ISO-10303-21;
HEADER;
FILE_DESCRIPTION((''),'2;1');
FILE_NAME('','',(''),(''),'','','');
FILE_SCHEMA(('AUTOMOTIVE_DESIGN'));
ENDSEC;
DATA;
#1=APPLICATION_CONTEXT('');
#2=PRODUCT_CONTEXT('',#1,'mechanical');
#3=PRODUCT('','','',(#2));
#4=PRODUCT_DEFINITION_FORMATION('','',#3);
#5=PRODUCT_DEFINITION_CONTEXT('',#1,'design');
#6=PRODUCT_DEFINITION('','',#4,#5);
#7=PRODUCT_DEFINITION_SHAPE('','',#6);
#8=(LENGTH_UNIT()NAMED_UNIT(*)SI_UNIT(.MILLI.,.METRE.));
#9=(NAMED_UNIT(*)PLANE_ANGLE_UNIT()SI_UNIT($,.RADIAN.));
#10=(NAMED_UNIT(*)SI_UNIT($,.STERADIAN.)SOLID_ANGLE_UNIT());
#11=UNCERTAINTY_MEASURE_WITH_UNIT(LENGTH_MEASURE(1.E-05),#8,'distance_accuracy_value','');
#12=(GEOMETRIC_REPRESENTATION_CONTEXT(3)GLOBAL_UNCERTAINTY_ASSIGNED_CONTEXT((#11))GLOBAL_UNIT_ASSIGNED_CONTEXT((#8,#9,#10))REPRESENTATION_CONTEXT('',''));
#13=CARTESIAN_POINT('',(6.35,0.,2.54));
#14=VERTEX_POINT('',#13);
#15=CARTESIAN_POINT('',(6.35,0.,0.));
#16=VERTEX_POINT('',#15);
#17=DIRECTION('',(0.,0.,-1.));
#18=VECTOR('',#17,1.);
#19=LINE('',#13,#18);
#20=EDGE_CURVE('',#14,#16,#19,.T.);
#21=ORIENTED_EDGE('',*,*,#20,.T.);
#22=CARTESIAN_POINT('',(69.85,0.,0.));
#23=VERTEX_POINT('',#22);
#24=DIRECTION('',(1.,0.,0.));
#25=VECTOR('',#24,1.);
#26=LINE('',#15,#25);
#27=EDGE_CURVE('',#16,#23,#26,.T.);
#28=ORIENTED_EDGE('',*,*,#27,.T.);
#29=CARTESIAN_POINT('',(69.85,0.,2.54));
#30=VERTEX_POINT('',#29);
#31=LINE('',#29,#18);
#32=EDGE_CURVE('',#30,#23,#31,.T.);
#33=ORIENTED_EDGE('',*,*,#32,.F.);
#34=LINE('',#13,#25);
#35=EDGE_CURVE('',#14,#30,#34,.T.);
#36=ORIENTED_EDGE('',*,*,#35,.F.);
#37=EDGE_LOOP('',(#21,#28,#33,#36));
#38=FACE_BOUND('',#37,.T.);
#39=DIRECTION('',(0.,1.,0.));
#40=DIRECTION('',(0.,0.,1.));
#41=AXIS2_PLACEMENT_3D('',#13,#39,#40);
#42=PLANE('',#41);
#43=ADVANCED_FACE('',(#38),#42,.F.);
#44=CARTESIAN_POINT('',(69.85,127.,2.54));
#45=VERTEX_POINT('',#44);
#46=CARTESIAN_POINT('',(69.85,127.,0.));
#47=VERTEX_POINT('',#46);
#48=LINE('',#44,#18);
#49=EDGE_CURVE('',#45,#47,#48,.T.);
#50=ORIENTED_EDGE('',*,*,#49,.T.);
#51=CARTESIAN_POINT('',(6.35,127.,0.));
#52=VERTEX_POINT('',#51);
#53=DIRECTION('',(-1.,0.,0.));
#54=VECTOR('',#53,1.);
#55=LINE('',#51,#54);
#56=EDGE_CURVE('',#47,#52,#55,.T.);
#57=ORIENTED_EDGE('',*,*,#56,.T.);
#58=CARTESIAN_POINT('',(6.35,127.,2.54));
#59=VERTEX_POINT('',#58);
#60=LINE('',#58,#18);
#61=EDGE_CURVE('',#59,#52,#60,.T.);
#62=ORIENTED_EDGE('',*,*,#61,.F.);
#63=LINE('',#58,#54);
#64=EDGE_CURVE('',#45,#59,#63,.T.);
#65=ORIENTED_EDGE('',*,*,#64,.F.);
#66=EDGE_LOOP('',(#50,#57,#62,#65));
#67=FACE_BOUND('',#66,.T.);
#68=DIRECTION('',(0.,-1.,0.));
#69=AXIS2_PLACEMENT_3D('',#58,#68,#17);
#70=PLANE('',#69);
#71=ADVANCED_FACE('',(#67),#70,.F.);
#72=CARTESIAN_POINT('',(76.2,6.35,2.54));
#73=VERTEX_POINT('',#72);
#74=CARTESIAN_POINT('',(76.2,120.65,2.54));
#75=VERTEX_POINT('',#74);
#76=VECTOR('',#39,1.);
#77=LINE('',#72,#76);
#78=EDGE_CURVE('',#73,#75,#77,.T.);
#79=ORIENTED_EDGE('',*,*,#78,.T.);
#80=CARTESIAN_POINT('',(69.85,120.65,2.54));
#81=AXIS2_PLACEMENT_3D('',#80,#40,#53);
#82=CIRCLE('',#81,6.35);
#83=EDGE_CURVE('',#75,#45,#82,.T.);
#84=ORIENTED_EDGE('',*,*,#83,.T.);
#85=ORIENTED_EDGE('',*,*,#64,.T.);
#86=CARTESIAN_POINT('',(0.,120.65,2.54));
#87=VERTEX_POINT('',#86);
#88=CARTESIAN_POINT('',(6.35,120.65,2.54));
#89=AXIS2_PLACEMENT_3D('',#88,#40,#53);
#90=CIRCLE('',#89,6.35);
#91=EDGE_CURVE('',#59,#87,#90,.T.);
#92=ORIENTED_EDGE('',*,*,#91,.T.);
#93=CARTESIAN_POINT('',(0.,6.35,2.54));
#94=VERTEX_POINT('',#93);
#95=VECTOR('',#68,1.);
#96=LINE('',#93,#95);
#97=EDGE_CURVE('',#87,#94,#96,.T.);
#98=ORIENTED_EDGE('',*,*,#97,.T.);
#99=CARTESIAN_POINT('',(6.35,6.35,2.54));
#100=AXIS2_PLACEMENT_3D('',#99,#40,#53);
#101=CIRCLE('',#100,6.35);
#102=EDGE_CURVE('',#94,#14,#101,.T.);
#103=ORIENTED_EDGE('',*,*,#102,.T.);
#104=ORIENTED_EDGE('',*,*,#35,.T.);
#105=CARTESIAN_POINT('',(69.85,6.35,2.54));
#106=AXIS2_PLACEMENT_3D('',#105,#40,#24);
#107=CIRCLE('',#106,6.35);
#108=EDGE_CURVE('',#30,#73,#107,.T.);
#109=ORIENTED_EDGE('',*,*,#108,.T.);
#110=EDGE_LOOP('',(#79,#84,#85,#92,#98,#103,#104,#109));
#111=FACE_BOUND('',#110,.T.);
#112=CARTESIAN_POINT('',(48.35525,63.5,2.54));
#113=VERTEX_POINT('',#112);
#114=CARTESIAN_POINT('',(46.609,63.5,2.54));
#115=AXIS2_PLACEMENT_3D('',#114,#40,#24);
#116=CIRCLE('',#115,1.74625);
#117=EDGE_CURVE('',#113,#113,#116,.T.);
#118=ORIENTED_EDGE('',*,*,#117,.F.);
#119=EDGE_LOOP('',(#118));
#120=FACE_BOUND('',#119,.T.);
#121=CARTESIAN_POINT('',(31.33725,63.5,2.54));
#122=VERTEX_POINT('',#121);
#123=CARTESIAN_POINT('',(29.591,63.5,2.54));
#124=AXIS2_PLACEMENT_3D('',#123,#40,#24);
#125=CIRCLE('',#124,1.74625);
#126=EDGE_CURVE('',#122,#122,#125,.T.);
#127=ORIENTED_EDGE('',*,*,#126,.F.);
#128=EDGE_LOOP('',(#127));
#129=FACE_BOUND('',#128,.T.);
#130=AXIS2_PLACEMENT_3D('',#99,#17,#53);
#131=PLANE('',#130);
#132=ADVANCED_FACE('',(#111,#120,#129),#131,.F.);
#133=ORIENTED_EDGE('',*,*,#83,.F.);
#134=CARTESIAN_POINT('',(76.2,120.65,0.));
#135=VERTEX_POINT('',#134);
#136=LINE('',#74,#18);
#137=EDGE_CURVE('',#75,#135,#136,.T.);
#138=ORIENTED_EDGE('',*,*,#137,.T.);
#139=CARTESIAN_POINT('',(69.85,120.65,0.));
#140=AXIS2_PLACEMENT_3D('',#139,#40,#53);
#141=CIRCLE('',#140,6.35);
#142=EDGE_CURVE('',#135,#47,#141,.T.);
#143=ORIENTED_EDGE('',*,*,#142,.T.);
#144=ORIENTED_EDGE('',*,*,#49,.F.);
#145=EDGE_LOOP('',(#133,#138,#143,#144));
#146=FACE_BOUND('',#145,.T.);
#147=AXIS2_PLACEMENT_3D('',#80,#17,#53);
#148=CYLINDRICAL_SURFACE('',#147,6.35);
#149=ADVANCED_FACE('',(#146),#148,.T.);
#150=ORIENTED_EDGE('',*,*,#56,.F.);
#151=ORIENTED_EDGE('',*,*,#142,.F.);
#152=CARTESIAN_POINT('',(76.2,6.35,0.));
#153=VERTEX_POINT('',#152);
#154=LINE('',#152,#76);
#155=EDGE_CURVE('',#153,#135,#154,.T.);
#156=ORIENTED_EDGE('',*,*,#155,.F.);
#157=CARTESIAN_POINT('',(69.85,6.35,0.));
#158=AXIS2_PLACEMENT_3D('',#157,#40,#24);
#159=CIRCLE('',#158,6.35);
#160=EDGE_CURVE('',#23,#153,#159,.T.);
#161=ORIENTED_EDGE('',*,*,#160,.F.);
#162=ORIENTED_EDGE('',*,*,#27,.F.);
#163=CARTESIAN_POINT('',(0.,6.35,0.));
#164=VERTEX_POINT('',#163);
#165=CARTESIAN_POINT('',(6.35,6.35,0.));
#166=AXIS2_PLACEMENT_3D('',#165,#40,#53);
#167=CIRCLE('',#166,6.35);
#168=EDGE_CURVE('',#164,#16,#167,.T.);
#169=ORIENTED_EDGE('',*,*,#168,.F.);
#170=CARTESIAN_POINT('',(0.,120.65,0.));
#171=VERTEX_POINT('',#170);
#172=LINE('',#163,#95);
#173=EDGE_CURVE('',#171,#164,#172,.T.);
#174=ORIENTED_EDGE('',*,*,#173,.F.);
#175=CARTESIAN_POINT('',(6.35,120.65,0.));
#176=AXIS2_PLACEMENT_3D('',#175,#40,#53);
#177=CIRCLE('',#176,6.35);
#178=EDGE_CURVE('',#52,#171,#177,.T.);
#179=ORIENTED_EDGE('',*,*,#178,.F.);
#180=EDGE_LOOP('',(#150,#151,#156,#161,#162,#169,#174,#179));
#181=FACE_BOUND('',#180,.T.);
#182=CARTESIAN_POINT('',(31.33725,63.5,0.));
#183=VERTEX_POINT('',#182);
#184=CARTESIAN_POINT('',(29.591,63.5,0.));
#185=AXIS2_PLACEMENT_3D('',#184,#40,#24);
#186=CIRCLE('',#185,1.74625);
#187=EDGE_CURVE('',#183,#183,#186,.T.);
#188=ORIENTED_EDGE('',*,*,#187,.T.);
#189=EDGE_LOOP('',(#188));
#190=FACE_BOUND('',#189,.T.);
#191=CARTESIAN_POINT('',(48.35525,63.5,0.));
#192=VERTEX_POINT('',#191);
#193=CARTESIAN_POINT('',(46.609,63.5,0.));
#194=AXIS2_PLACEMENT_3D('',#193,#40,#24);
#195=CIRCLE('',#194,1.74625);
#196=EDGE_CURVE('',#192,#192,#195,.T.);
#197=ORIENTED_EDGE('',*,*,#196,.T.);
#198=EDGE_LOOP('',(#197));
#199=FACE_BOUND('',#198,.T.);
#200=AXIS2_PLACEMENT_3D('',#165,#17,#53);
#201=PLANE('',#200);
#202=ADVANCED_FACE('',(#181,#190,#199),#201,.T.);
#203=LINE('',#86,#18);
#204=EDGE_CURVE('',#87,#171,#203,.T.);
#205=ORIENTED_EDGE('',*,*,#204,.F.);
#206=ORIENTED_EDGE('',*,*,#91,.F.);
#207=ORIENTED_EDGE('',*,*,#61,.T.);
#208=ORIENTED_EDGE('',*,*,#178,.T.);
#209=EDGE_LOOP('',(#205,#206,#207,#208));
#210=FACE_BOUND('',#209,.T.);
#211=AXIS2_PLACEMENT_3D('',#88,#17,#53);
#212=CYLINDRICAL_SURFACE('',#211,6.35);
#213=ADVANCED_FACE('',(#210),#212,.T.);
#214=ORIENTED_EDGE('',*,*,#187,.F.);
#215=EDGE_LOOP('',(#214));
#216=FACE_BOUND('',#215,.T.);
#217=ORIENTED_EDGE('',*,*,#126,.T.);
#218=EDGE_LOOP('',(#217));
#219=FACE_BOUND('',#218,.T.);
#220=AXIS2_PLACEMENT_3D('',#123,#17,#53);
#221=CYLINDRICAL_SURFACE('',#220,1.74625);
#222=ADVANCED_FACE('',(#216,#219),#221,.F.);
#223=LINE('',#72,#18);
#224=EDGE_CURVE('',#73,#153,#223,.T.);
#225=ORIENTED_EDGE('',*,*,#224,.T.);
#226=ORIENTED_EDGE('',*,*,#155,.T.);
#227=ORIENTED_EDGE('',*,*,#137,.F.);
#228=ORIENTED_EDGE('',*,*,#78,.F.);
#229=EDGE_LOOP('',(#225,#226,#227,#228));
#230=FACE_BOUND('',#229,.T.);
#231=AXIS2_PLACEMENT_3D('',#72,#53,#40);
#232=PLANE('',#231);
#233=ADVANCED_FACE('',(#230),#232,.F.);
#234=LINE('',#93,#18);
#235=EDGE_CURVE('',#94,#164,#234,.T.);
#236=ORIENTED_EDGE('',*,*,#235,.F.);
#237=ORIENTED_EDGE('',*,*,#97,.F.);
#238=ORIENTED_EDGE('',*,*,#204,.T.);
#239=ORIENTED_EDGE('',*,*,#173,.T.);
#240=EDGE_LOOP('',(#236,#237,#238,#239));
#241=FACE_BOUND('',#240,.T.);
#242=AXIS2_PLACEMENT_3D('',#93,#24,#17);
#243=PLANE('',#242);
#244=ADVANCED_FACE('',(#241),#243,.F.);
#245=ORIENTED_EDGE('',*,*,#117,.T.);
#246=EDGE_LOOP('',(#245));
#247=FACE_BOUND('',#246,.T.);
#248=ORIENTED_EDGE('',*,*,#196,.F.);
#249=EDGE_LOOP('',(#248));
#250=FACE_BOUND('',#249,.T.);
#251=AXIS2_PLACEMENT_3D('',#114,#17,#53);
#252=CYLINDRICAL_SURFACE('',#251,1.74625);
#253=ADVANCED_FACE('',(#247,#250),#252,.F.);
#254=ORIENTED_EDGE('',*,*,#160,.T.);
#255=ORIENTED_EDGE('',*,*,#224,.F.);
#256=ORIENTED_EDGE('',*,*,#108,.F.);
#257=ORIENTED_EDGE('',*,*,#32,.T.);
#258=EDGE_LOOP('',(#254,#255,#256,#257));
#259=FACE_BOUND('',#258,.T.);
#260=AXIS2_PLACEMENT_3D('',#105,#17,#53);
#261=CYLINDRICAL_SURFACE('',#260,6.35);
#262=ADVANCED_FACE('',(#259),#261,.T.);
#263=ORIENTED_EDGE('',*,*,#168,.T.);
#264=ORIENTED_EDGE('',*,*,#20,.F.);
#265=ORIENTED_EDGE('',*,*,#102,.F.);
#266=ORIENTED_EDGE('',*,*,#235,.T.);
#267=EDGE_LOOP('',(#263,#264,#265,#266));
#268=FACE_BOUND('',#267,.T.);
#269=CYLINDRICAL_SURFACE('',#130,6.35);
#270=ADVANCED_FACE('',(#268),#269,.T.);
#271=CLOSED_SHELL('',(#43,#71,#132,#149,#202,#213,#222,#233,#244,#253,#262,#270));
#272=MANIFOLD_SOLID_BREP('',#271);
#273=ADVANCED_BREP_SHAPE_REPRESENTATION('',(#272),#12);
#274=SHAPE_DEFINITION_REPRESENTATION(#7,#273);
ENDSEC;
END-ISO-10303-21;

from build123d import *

# Parameters (mm, degrees)
SKETCH1_R           = 1.74625
BOSS_EXTRUDE1_DEPTH = 2.54


with BuildPart() as part:
    # Sketch1 → Boss-Extrude1 (new body)
    with BuildSketch(Plane.XY):
        with BuildLine():
            Line((6.35, 0), (69.85, 0))
            ThreePointArc((69.85, 0), (74.340128061, 1.859871939), (76.2, 6.35))
            Line((76.2, 6.35), (76.2, 120.65))
            ThreePointArc((76.2, 120.65), (74.340128061, 125.140128061), (69.85, 127))
            Line((69.85, 127), (6.35, 127))
            ThreePointArc((6.35, 127), (1.859871939, 125.140128061), (0, 120.65))
            Line((0, 120.65), (0, 6.35))
            ThreePointArc((0, 6.35), (1.859871939, 1.859871939), (6.35, 0))
        make_face()
        with Locations((29.591, 63.5)):
            Circle(SKETCH1_R, mode=Mode.SUBTRACT)
        with Locations((46.609, 63.5)):
            Circle(SKETCH1_R, mode=Mode.SUBTRACT)
    extrude(amount=BOSS_EXTRUDE1_DEPTH)


solid = part.part
